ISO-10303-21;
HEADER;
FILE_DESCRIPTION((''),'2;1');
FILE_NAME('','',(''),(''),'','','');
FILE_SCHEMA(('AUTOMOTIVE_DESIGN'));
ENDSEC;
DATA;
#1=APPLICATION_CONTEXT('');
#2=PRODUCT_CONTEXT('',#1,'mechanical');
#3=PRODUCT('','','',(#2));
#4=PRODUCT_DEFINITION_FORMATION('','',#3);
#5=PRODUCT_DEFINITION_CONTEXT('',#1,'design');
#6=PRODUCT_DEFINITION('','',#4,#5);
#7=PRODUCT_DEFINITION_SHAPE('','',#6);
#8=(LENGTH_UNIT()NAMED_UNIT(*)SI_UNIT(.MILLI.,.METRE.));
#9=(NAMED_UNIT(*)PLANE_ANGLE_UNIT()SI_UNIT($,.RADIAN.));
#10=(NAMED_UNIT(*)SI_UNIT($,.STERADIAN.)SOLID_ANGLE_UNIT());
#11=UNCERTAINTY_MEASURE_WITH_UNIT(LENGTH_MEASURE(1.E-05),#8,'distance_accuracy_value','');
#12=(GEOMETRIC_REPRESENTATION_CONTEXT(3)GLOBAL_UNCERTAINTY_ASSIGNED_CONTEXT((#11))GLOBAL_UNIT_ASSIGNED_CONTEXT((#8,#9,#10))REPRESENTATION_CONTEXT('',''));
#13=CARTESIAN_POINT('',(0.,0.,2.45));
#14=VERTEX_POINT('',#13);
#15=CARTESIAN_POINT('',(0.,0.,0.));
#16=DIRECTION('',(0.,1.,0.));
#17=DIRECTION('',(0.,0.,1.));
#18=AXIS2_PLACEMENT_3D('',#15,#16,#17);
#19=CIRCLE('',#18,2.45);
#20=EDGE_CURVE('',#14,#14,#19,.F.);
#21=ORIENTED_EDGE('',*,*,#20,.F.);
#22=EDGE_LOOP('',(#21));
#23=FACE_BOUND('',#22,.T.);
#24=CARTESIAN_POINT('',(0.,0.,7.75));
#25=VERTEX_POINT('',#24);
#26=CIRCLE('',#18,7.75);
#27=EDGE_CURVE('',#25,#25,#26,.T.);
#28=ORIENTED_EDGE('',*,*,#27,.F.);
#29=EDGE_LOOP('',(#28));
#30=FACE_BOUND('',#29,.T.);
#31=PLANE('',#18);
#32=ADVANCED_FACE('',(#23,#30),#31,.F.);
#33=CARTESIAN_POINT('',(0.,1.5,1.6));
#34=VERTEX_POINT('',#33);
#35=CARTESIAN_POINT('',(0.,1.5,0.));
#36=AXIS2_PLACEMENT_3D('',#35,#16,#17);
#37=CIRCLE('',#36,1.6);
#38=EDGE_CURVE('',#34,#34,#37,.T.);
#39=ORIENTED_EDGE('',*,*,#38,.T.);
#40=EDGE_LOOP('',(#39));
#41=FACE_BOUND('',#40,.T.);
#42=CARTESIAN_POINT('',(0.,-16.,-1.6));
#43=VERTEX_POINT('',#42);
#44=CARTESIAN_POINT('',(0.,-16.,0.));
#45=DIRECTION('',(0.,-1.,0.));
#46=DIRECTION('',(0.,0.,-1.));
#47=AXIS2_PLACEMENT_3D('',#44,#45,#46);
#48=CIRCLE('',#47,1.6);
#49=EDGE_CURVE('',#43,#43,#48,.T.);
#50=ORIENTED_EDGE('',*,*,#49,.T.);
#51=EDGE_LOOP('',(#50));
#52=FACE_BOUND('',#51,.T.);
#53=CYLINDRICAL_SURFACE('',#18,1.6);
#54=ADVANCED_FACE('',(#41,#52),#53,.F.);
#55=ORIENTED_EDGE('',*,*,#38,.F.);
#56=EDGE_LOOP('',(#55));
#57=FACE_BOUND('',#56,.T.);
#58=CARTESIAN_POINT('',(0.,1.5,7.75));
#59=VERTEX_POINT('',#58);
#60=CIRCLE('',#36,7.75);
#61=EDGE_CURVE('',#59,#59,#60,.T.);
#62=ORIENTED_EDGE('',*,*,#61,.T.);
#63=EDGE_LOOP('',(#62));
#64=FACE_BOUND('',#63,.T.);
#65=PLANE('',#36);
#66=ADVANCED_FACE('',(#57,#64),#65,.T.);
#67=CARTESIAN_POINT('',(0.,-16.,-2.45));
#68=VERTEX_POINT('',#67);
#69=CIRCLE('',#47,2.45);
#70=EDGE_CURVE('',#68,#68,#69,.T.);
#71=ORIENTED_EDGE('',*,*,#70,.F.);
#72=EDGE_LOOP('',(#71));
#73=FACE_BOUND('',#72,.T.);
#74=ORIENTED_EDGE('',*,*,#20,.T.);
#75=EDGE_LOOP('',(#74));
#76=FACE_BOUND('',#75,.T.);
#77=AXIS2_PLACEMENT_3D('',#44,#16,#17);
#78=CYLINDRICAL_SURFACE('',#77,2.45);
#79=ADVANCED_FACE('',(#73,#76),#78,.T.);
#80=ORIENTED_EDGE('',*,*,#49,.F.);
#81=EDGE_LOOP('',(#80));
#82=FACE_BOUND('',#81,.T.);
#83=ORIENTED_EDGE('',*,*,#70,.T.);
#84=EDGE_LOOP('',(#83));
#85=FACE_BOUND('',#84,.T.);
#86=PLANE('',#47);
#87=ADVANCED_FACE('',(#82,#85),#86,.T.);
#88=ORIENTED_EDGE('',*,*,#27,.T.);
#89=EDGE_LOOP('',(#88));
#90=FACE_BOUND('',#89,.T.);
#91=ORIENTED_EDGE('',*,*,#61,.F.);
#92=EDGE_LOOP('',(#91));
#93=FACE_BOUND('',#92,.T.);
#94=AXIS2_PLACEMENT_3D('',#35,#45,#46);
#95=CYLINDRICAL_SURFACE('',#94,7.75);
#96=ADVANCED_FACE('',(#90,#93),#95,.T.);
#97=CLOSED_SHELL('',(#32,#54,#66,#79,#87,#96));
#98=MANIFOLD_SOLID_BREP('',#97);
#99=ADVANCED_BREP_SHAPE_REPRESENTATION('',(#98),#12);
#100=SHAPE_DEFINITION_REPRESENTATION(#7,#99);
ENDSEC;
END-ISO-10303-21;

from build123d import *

# Parameters (mm, degrees)
SKETCH1_R           = 7.75
SKETCH1_R_2         = 6.75
BOSS_EXTRUDE1_DEPTH = 1.5
SKETCH2_R           = 1.6
CUT_EXTRUDE3_DEPTH  = 12.062323445
SKETCH5_R           = 2.45
SKETCH5_R_2         = 1.6
BOSS_EXTRUDE3_DEPTH = 16


with BuildPart() as part:
    # Sketch1 → Boss-Extrude1 (new body)
    with BuildSketch(Plane(origin=(0, 0, 0), x_dir=(1, 0, 0), z_dir=(0, 1, 0))):
        with Locations(Location((0, 0, 0), (0, 0, 270))):
            Circle(SKETCH1_R)
        Circle(SKETCH1_R_2, mode=Mode.SUBTRACT)
        Circle(SKETCH1_R_2)
    extrude(amount=BOSS_EXTRUDE1_DEPTH)

    # Sketch2 → Cut-Extrude3 (cut, through all)
    with BuildSketch(Plane(origin=(0, 1.5, 0), x_dir=(1, 0, 0), z_dir=(0, 1, 0))):
        with Locations(Location((0, 0, 0), (0, 0, 270))):
            Circle(SKETCH2_R)
    extrude(amount=-CUT_EXTRUDE3_DEPTH, mode=Mode.SUBTRACT)

    # Sketch5 → Boss-Extrude3 (add)
    with BuildSketch(Plane(origin=(0, 0, 0), x_dir=(-1, 0, 0), z_dir=(0, -1, 0))):
        with Locations(Location((0, 0, 0), (0, 0, 270))):
            Circle(SKETCH5_R)
        with Locations(Location((0, 0, 0), (0, 0, 270))):
            Circle(SKETCH5_R_2, mode=Mode.SUBTRACT)
    extrude(amount=BOSS_EXTRUDE3_DEPTH)


solid = part.part
